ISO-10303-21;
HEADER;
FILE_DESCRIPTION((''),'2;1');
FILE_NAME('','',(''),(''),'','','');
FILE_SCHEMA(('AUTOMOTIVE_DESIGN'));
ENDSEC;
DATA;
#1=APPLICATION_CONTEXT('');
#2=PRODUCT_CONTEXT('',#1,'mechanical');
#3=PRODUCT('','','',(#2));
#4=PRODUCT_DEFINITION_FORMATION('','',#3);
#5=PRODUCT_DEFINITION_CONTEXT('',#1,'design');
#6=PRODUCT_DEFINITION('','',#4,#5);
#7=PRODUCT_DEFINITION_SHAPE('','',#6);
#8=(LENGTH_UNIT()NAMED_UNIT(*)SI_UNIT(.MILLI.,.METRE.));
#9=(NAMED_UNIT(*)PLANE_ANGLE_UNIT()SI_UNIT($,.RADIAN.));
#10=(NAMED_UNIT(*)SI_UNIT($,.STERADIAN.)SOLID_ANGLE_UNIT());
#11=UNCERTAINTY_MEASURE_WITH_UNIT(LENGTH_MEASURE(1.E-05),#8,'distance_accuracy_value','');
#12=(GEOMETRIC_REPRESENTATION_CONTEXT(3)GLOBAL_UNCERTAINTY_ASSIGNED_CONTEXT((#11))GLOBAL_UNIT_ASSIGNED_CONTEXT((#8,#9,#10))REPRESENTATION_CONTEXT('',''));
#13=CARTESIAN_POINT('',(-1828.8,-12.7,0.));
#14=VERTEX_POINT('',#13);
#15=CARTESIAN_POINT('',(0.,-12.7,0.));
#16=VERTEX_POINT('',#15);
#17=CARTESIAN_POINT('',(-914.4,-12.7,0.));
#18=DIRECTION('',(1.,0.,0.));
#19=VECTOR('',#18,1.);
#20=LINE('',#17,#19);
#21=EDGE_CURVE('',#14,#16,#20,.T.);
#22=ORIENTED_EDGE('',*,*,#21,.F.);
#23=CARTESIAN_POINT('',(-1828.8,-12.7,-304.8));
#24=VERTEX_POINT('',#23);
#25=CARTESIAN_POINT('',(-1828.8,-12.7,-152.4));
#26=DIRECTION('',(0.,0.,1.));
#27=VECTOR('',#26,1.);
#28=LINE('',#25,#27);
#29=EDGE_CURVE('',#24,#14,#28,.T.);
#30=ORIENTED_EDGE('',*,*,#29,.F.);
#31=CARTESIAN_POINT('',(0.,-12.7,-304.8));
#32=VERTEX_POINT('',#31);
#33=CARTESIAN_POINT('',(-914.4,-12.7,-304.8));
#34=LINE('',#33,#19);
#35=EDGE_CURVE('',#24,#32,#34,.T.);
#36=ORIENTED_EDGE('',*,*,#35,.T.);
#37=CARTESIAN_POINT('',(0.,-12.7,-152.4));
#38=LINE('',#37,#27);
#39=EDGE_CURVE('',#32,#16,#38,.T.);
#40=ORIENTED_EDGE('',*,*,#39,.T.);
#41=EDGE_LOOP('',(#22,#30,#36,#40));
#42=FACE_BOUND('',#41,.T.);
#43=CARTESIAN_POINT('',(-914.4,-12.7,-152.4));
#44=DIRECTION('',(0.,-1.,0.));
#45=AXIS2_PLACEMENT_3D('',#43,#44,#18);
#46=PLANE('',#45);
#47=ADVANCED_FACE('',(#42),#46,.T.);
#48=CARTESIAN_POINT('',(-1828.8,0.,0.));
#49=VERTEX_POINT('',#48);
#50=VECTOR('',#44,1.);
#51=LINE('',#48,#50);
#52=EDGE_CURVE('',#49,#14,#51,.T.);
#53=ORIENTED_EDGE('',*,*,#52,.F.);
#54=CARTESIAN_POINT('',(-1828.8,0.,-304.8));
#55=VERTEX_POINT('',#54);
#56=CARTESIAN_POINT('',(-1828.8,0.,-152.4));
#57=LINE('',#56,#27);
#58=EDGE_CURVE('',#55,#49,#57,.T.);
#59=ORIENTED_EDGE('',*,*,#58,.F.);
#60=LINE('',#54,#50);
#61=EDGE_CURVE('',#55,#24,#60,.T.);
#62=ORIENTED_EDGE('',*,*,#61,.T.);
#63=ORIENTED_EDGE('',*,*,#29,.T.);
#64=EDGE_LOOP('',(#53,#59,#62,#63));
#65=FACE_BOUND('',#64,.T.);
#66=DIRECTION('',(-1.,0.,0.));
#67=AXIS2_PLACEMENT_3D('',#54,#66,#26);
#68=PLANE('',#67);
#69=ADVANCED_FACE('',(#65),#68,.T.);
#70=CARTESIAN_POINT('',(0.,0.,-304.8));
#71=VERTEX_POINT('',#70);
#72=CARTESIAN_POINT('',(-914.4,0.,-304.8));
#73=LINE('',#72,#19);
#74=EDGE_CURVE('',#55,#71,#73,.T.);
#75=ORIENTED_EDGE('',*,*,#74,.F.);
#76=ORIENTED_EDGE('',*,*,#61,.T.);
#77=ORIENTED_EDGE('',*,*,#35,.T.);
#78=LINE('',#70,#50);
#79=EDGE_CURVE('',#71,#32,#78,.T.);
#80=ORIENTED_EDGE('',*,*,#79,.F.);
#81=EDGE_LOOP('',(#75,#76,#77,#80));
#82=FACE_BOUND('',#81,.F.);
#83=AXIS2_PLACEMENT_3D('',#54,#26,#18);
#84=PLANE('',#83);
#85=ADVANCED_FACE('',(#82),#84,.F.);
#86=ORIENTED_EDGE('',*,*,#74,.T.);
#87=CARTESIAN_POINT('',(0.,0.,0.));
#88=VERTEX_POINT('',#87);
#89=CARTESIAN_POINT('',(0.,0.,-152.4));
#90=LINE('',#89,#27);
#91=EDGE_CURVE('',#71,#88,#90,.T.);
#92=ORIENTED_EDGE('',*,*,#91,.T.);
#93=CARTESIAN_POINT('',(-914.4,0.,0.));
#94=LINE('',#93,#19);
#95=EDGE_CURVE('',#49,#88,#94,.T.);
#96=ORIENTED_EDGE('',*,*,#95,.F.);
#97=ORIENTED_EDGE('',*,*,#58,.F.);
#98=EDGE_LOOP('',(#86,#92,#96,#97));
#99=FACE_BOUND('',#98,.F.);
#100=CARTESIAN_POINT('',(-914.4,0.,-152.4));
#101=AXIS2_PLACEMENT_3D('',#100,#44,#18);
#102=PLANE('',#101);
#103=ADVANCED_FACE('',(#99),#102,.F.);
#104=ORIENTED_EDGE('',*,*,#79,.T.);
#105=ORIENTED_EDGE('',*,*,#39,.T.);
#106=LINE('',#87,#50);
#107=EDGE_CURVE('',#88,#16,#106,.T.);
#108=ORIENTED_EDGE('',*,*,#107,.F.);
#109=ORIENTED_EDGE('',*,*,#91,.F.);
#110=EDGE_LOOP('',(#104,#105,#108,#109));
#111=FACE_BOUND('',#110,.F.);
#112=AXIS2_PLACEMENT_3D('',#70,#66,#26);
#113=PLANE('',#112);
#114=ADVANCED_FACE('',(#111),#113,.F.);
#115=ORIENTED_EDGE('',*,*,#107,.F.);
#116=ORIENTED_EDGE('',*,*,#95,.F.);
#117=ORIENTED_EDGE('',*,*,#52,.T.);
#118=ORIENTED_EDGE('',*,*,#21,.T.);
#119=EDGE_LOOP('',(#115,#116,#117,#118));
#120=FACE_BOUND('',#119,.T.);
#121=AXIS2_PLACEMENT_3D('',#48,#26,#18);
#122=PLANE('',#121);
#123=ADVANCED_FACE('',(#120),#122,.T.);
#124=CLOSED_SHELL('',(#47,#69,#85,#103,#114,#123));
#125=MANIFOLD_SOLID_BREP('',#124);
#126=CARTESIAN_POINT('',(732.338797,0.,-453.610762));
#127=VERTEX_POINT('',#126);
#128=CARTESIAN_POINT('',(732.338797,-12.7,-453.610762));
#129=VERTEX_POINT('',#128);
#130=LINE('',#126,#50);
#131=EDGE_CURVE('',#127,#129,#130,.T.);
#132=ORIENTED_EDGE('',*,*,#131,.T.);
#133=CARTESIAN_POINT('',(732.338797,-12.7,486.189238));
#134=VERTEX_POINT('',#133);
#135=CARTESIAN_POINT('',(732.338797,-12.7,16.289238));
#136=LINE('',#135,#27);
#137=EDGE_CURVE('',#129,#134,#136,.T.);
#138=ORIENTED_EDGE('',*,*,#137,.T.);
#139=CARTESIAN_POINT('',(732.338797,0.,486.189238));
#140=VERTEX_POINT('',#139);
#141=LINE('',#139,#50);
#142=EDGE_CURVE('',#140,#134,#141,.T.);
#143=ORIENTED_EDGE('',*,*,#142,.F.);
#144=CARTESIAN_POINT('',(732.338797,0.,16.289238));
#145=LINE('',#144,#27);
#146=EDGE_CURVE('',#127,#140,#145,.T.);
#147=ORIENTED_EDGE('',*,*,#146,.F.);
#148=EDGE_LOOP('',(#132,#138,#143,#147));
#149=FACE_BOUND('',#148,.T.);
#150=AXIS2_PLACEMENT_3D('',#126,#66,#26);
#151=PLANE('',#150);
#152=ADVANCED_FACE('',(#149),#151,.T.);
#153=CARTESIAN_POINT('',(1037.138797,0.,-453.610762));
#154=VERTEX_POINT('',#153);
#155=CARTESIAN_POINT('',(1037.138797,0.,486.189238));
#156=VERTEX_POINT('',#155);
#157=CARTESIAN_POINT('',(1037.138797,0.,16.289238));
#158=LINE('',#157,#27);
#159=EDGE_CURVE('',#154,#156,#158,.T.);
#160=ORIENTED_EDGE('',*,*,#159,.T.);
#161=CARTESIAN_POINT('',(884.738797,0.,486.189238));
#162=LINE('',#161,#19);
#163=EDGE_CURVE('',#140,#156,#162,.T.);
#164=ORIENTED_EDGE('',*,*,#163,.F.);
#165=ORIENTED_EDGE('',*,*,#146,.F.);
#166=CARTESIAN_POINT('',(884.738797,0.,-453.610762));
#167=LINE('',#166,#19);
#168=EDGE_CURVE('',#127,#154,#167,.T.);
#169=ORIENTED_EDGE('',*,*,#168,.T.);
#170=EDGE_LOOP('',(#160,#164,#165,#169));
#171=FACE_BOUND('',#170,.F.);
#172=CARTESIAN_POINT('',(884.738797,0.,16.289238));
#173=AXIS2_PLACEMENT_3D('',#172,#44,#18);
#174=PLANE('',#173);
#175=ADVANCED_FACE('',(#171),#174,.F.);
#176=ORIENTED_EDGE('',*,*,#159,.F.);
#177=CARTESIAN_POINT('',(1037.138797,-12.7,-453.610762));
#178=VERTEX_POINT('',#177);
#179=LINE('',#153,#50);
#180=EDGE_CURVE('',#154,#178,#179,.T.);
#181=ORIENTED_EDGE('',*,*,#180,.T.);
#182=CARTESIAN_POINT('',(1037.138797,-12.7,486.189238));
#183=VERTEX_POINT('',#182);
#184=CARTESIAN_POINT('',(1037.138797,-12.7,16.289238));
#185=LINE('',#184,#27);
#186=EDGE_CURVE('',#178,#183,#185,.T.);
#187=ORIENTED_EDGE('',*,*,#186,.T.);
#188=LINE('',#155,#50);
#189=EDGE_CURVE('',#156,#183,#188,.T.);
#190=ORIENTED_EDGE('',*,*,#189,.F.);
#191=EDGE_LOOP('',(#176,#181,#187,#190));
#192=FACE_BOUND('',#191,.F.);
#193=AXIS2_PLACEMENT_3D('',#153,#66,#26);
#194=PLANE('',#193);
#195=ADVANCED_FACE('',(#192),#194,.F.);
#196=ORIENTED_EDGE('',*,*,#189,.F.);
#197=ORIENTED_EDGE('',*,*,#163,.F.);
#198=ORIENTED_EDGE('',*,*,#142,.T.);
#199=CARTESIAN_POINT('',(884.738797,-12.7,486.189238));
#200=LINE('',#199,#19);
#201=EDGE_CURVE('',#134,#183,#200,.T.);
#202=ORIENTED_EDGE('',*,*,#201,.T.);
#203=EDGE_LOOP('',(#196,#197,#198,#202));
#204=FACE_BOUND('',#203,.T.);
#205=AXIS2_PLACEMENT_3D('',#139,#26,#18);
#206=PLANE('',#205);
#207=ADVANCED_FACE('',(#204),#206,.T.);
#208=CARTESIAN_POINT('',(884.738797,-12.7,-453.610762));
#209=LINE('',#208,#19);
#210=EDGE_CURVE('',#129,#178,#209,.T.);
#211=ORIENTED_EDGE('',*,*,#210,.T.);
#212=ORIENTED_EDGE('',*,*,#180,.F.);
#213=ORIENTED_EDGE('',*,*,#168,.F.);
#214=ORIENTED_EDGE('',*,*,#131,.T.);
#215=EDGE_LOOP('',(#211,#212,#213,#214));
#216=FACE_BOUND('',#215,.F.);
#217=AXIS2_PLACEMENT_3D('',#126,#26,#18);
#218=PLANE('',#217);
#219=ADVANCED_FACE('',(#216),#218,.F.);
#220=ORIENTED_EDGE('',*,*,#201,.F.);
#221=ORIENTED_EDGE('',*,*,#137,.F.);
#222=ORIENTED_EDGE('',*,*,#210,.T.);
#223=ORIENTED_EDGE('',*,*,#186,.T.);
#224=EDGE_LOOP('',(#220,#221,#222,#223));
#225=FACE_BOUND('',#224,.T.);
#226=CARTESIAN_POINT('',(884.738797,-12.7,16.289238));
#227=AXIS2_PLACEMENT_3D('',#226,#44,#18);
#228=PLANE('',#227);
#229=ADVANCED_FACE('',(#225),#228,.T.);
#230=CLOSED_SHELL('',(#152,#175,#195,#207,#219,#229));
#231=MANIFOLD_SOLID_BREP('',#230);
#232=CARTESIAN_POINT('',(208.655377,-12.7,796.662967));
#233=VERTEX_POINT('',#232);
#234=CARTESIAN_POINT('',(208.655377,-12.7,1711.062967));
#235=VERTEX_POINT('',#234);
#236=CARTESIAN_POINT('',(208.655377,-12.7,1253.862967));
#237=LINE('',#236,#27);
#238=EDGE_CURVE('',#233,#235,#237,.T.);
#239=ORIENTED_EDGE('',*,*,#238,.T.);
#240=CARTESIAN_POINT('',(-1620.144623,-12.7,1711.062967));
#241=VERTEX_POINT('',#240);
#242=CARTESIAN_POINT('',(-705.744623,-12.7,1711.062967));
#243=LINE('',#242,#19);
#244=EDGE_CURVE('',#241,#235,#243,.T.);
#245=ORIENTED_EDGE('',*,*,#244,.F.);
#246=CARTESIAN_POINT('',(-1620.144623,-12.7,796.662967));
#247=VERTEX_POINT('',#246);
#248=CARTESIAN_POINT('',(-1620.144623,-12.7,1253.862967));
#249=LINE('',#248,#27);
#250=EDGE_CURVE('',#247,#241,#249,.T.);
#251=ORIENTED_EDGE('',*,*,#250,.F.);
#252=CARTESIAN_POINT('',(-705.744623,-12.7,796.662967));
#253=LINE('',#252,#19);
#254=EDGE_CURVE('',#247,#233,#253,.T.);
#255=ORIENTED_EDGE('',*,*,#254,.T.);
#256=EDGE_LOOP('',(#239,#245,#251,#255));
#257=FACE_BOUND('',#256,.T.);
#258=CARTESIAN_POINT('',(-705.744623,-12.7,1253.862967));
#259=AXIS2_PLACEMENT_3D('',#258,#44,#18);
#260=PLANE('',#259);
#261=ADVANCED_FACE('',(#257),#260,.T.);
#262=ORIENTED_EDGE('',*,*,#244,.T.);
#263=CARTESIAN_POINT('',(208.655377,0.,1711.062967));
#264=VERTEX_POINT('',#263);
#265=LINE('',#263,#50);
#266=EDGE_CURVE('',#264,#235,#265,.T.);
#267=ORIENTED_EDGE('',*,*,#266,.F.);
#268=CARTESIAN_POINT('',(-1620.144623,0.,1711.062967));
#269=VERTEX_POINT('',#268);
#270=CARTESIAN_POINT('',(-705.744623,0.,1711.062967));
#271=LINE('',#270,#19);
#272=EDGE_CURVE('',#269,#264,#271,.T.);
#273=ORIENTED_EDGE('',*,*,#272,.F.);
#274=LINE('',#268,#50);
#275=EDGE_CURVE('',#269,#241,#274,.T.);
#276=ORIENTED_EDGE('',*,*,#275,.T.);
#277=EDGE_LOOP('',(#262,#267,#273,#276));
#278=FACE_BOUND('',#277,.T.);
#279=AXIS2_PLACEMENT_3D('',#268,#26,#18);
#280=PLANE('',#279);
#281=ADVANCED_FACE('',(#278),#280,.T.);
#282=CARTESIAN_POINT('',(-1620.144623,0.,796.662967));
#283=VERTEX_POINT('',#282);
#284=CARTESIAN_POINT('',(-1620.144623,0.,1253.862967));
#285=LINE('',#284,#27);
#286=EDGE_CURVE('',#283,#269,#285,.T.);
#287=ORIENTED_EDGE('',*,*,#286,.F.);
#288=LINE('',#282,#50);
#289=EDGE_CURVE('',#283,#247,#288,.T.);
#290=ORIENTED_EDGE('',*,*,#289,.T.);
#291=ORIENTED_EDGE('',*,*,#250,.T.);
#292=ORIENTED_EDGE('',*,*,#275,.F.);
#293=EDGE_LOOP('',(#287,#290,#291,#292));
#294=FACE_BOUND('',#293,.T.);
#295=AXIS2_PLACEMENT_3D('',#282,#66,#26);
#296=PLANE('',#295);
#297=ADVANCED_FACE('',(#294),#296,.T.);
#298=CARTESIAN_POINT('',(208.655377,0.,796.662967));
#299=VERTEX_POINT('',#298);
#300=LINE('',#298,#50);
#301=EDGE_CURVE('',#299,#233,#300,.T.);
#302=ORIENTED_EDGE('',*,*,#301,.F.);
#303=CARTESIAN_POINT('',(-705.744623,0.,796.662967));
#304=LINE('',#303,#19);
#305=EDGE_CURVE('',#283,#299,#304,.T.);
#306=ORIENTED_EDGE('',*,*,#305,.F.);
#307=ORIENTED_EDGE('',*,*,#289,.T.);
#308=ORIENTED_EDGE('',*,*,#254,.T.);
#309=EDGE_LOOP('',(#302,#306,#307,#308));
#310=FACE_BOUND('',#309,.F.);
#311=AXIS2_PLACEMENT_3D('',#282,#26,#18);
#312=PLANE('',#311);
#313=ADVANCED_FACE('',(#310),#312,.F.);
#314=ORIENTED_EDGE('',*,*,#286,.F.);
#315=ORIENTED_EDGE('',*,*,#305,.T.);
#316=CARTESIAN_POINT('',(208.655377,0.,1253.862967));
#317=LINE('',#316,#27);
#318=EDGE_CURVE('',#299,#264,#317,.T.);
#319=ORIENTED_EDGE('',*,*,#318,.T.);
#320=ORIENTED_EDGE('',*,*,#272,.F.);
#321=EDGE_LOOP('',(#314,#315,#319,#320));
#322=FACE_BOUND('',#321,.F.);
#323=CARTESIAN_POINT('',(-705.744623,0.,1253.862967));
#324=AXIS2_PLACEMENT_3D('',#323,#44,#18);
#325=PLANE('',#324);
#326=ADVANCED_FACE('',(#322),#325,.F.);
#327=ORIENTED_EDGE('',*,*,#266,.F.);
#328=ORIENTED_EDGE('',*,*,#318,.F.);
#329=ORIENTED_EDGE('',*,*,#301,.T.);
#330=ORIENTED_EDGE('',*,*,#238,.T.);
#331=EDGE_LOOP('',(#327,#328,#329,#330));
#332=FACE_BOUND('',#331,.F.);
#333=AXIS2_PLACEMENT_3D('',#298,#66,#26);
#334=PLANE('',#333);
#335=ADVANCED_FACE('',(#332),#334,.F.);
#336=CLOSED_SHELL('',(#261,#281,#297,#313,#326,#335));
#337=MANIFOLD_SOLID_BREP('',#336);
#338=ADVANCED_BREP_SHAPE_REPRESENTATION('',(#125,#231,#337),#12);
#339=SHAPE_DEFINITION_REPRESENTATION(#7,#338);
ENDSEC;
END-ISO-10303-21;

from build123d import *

# Parameters (mm, degrees)
F0_W     = 1828.8
F0_H     = 914.4
F0_W_2   = 304.8
F0_H_2   = 939.8
F0_H_3   = 304.8
F1_DEPTH = 12.7


with BuildPart() as f1:
    # F0 (on Front) → F1 (new body)
    with BuildSketch(Plane.XZ):
        with Locations((-705.744623, 1253.862967)):
            Rectangle(F0_W, F0_H)
        with Locations((884.738797, 16.289238)):
            Rectangle(F0_W_2, F0_H_2)
        with Locations((-914.4, -152.4)):
            Rectangle(F0_W, F0_H_3)
    extrude(amount=F1_DEPTH)


solid = f1.part
